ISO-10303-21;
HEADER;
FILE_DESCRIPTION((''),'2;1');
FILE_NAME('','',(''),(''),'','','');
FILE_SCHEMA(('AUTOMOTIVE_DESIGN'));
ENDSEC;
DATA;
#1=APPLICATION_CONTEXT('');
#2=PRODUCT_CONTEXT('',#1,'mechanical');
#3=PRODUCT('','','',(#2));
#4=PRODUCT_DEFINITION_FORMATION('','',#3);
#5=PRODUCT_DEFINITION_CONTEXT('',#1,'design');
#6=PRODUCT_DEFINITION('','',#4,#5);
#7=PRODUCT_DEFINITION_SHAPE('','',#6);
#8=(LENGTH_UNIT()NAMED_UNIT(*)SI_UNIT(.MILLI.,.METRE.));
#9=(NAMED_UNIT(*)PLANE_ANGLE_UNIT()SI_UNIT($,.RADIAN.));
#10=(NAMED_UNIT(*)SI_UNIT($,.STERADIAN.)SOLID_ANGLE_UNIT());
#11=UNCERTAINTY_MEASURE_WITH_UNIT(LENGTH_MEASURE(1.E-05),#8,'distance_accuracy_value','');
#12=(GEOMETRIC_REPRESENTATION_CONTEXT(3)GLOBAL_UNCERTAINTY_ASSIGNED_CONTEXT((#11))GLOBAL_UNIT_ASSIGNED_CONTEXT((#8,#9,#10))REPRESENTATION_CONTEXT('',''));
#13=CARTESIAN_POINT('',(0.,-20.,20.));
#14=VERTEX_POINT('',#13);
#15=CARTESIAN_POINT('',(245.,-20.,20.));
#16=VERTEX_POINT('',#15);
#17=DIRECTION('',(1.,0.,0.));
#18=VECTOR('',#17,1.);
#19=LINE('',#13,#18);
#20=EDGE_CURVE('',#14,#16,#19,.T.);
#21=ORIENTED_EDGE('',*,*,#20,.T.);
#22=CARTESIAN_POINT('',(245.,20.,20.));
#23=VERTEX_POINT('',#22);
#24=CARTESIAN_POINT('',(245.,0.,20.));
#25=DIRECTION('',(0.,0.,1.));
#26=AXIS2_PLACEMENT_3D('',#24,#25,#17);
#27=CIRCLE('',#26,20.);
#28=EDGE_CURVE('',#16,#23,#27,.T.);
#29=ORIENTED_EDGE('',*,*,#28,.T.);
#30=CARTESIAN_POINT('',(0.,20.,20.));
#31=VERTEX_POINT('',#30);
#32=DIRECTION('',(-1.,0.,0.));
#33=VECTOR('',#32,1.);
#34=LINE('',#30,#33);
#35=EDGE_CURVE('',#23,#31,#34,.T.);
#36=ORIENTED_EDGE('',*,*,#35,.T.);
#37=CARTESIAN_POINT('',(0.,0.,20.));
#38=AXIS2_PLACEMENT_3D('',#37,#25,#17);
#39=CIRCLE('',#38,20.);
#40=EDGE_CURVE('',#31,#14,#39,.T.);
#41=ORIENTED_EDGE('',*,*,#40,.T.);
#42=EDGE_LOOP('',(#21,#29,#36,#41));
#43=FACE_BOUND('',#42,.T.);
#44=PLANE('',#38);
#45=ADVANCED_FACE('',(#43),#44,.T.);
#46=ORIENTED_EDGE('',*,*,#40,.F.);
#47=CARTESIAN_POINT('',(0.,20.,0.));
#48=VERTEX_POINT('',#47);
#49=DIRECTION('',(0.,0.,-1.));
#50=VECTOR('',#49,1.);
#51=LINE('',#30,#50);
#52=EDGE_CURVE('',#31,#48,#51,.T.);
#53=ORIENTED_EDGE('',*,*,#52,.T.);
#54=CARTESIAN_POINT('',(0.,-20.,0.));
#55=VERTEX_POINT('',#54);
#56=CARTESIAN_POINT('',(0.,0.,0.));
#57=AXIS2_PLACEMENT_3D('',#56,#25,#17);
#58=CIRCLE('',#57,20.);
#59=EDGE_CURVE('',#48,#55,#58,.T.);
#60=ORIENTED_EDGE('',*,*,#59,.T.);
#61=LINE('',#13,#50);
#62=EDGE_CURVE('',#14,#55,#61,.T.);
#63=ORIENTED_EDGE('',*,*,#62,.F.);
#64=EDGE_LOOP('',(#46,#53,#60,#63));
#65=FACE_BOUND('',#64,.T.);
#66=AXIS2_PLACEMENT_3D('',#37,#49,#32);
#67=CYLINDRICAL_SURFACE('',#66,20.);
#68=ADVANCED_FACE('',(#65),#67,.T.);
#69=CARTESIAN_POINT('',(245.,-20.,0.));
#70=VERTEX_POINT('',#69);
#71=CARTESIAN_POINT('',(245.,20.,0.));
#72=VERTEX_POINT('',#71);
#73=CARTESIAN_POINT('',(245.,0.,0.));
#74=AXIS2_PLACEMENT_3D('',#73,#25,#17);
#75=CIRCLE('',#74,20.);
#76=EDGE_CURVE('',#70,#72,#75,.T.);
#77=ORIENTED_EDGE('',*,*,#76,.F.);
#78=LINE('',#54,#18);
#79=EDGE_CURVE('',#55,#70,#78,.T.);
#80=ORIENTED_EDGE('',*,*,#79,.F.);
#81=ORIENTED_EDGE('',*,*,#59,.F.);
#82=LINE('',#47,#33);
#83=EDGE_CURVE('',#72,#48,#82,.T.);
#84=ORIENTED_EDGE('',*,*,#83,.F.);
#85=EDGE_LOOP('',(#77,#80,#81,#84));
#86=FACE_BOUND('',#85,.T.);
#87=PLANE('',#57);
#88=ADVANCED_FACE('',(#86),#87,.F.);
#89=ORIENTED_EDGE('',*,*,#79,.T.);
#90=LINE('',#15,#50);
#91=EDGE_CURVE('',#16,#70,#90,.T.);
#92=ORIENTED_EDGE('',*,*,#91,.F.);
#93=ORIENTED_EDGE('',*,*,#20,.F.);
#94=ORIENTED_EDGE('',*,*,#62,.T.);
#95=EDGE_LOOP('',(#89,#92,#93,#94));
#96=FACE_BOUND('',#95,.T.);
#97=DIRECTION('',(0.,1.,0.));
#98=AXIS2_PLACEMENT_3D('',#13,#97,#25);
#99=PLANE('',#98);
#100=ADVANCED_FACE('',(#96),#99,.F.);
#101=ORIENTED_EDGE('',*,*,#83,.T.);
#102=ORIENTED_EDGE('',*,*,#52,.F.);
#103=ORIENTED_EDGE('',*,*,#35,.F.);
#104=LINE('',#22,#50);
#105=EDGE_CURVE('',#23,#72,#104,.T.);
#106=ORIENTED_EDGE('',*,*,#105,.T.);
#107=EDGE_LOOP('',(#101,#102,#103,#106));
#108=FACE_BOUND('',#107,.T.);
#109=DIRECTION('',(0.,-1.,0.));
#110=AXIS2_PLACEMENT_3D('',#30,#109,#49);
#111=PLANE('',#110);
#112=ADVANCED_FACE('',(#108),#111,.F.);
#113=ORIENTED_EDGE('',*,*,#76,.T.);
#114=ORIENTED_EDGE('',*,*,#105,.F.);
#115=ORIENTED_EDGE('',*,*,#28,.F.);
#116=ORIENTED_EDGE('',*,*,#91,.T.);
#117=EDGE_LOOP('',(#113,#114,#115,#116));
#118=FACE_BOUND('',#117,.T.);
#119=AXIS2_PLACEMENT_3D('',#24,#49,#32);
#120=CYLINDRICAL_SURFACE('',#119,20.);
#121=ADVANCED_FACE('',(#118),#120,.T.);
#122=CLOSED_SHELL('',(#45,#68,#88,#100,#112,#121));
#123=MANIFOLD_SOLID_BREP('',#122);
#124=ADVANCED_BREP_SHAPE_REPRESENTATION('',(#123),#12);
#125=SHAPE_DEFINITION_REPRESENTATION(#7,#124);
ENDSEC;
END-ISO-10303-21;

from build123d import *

# Parameters (mm, degrees)
EXTRUDE_1_DEPTH = 20


with BuildPart() as part:
    # 草图1 → 凸台-拉伸1 (new body)
    with BuildSketch(Plane.XY):
        with BuildLine():
            Line((0, 20), (245, 20))
            ThreePointArc((245, 20), (265, 0), (245, -20))
            Line((245, -20), (0, -20))
            ThreePointArc((0, -20), (-20, 0), (0, 20))
        make_face()
    extrude(amount=EXTRUDE_1_DEPTH)


solid = part.part
